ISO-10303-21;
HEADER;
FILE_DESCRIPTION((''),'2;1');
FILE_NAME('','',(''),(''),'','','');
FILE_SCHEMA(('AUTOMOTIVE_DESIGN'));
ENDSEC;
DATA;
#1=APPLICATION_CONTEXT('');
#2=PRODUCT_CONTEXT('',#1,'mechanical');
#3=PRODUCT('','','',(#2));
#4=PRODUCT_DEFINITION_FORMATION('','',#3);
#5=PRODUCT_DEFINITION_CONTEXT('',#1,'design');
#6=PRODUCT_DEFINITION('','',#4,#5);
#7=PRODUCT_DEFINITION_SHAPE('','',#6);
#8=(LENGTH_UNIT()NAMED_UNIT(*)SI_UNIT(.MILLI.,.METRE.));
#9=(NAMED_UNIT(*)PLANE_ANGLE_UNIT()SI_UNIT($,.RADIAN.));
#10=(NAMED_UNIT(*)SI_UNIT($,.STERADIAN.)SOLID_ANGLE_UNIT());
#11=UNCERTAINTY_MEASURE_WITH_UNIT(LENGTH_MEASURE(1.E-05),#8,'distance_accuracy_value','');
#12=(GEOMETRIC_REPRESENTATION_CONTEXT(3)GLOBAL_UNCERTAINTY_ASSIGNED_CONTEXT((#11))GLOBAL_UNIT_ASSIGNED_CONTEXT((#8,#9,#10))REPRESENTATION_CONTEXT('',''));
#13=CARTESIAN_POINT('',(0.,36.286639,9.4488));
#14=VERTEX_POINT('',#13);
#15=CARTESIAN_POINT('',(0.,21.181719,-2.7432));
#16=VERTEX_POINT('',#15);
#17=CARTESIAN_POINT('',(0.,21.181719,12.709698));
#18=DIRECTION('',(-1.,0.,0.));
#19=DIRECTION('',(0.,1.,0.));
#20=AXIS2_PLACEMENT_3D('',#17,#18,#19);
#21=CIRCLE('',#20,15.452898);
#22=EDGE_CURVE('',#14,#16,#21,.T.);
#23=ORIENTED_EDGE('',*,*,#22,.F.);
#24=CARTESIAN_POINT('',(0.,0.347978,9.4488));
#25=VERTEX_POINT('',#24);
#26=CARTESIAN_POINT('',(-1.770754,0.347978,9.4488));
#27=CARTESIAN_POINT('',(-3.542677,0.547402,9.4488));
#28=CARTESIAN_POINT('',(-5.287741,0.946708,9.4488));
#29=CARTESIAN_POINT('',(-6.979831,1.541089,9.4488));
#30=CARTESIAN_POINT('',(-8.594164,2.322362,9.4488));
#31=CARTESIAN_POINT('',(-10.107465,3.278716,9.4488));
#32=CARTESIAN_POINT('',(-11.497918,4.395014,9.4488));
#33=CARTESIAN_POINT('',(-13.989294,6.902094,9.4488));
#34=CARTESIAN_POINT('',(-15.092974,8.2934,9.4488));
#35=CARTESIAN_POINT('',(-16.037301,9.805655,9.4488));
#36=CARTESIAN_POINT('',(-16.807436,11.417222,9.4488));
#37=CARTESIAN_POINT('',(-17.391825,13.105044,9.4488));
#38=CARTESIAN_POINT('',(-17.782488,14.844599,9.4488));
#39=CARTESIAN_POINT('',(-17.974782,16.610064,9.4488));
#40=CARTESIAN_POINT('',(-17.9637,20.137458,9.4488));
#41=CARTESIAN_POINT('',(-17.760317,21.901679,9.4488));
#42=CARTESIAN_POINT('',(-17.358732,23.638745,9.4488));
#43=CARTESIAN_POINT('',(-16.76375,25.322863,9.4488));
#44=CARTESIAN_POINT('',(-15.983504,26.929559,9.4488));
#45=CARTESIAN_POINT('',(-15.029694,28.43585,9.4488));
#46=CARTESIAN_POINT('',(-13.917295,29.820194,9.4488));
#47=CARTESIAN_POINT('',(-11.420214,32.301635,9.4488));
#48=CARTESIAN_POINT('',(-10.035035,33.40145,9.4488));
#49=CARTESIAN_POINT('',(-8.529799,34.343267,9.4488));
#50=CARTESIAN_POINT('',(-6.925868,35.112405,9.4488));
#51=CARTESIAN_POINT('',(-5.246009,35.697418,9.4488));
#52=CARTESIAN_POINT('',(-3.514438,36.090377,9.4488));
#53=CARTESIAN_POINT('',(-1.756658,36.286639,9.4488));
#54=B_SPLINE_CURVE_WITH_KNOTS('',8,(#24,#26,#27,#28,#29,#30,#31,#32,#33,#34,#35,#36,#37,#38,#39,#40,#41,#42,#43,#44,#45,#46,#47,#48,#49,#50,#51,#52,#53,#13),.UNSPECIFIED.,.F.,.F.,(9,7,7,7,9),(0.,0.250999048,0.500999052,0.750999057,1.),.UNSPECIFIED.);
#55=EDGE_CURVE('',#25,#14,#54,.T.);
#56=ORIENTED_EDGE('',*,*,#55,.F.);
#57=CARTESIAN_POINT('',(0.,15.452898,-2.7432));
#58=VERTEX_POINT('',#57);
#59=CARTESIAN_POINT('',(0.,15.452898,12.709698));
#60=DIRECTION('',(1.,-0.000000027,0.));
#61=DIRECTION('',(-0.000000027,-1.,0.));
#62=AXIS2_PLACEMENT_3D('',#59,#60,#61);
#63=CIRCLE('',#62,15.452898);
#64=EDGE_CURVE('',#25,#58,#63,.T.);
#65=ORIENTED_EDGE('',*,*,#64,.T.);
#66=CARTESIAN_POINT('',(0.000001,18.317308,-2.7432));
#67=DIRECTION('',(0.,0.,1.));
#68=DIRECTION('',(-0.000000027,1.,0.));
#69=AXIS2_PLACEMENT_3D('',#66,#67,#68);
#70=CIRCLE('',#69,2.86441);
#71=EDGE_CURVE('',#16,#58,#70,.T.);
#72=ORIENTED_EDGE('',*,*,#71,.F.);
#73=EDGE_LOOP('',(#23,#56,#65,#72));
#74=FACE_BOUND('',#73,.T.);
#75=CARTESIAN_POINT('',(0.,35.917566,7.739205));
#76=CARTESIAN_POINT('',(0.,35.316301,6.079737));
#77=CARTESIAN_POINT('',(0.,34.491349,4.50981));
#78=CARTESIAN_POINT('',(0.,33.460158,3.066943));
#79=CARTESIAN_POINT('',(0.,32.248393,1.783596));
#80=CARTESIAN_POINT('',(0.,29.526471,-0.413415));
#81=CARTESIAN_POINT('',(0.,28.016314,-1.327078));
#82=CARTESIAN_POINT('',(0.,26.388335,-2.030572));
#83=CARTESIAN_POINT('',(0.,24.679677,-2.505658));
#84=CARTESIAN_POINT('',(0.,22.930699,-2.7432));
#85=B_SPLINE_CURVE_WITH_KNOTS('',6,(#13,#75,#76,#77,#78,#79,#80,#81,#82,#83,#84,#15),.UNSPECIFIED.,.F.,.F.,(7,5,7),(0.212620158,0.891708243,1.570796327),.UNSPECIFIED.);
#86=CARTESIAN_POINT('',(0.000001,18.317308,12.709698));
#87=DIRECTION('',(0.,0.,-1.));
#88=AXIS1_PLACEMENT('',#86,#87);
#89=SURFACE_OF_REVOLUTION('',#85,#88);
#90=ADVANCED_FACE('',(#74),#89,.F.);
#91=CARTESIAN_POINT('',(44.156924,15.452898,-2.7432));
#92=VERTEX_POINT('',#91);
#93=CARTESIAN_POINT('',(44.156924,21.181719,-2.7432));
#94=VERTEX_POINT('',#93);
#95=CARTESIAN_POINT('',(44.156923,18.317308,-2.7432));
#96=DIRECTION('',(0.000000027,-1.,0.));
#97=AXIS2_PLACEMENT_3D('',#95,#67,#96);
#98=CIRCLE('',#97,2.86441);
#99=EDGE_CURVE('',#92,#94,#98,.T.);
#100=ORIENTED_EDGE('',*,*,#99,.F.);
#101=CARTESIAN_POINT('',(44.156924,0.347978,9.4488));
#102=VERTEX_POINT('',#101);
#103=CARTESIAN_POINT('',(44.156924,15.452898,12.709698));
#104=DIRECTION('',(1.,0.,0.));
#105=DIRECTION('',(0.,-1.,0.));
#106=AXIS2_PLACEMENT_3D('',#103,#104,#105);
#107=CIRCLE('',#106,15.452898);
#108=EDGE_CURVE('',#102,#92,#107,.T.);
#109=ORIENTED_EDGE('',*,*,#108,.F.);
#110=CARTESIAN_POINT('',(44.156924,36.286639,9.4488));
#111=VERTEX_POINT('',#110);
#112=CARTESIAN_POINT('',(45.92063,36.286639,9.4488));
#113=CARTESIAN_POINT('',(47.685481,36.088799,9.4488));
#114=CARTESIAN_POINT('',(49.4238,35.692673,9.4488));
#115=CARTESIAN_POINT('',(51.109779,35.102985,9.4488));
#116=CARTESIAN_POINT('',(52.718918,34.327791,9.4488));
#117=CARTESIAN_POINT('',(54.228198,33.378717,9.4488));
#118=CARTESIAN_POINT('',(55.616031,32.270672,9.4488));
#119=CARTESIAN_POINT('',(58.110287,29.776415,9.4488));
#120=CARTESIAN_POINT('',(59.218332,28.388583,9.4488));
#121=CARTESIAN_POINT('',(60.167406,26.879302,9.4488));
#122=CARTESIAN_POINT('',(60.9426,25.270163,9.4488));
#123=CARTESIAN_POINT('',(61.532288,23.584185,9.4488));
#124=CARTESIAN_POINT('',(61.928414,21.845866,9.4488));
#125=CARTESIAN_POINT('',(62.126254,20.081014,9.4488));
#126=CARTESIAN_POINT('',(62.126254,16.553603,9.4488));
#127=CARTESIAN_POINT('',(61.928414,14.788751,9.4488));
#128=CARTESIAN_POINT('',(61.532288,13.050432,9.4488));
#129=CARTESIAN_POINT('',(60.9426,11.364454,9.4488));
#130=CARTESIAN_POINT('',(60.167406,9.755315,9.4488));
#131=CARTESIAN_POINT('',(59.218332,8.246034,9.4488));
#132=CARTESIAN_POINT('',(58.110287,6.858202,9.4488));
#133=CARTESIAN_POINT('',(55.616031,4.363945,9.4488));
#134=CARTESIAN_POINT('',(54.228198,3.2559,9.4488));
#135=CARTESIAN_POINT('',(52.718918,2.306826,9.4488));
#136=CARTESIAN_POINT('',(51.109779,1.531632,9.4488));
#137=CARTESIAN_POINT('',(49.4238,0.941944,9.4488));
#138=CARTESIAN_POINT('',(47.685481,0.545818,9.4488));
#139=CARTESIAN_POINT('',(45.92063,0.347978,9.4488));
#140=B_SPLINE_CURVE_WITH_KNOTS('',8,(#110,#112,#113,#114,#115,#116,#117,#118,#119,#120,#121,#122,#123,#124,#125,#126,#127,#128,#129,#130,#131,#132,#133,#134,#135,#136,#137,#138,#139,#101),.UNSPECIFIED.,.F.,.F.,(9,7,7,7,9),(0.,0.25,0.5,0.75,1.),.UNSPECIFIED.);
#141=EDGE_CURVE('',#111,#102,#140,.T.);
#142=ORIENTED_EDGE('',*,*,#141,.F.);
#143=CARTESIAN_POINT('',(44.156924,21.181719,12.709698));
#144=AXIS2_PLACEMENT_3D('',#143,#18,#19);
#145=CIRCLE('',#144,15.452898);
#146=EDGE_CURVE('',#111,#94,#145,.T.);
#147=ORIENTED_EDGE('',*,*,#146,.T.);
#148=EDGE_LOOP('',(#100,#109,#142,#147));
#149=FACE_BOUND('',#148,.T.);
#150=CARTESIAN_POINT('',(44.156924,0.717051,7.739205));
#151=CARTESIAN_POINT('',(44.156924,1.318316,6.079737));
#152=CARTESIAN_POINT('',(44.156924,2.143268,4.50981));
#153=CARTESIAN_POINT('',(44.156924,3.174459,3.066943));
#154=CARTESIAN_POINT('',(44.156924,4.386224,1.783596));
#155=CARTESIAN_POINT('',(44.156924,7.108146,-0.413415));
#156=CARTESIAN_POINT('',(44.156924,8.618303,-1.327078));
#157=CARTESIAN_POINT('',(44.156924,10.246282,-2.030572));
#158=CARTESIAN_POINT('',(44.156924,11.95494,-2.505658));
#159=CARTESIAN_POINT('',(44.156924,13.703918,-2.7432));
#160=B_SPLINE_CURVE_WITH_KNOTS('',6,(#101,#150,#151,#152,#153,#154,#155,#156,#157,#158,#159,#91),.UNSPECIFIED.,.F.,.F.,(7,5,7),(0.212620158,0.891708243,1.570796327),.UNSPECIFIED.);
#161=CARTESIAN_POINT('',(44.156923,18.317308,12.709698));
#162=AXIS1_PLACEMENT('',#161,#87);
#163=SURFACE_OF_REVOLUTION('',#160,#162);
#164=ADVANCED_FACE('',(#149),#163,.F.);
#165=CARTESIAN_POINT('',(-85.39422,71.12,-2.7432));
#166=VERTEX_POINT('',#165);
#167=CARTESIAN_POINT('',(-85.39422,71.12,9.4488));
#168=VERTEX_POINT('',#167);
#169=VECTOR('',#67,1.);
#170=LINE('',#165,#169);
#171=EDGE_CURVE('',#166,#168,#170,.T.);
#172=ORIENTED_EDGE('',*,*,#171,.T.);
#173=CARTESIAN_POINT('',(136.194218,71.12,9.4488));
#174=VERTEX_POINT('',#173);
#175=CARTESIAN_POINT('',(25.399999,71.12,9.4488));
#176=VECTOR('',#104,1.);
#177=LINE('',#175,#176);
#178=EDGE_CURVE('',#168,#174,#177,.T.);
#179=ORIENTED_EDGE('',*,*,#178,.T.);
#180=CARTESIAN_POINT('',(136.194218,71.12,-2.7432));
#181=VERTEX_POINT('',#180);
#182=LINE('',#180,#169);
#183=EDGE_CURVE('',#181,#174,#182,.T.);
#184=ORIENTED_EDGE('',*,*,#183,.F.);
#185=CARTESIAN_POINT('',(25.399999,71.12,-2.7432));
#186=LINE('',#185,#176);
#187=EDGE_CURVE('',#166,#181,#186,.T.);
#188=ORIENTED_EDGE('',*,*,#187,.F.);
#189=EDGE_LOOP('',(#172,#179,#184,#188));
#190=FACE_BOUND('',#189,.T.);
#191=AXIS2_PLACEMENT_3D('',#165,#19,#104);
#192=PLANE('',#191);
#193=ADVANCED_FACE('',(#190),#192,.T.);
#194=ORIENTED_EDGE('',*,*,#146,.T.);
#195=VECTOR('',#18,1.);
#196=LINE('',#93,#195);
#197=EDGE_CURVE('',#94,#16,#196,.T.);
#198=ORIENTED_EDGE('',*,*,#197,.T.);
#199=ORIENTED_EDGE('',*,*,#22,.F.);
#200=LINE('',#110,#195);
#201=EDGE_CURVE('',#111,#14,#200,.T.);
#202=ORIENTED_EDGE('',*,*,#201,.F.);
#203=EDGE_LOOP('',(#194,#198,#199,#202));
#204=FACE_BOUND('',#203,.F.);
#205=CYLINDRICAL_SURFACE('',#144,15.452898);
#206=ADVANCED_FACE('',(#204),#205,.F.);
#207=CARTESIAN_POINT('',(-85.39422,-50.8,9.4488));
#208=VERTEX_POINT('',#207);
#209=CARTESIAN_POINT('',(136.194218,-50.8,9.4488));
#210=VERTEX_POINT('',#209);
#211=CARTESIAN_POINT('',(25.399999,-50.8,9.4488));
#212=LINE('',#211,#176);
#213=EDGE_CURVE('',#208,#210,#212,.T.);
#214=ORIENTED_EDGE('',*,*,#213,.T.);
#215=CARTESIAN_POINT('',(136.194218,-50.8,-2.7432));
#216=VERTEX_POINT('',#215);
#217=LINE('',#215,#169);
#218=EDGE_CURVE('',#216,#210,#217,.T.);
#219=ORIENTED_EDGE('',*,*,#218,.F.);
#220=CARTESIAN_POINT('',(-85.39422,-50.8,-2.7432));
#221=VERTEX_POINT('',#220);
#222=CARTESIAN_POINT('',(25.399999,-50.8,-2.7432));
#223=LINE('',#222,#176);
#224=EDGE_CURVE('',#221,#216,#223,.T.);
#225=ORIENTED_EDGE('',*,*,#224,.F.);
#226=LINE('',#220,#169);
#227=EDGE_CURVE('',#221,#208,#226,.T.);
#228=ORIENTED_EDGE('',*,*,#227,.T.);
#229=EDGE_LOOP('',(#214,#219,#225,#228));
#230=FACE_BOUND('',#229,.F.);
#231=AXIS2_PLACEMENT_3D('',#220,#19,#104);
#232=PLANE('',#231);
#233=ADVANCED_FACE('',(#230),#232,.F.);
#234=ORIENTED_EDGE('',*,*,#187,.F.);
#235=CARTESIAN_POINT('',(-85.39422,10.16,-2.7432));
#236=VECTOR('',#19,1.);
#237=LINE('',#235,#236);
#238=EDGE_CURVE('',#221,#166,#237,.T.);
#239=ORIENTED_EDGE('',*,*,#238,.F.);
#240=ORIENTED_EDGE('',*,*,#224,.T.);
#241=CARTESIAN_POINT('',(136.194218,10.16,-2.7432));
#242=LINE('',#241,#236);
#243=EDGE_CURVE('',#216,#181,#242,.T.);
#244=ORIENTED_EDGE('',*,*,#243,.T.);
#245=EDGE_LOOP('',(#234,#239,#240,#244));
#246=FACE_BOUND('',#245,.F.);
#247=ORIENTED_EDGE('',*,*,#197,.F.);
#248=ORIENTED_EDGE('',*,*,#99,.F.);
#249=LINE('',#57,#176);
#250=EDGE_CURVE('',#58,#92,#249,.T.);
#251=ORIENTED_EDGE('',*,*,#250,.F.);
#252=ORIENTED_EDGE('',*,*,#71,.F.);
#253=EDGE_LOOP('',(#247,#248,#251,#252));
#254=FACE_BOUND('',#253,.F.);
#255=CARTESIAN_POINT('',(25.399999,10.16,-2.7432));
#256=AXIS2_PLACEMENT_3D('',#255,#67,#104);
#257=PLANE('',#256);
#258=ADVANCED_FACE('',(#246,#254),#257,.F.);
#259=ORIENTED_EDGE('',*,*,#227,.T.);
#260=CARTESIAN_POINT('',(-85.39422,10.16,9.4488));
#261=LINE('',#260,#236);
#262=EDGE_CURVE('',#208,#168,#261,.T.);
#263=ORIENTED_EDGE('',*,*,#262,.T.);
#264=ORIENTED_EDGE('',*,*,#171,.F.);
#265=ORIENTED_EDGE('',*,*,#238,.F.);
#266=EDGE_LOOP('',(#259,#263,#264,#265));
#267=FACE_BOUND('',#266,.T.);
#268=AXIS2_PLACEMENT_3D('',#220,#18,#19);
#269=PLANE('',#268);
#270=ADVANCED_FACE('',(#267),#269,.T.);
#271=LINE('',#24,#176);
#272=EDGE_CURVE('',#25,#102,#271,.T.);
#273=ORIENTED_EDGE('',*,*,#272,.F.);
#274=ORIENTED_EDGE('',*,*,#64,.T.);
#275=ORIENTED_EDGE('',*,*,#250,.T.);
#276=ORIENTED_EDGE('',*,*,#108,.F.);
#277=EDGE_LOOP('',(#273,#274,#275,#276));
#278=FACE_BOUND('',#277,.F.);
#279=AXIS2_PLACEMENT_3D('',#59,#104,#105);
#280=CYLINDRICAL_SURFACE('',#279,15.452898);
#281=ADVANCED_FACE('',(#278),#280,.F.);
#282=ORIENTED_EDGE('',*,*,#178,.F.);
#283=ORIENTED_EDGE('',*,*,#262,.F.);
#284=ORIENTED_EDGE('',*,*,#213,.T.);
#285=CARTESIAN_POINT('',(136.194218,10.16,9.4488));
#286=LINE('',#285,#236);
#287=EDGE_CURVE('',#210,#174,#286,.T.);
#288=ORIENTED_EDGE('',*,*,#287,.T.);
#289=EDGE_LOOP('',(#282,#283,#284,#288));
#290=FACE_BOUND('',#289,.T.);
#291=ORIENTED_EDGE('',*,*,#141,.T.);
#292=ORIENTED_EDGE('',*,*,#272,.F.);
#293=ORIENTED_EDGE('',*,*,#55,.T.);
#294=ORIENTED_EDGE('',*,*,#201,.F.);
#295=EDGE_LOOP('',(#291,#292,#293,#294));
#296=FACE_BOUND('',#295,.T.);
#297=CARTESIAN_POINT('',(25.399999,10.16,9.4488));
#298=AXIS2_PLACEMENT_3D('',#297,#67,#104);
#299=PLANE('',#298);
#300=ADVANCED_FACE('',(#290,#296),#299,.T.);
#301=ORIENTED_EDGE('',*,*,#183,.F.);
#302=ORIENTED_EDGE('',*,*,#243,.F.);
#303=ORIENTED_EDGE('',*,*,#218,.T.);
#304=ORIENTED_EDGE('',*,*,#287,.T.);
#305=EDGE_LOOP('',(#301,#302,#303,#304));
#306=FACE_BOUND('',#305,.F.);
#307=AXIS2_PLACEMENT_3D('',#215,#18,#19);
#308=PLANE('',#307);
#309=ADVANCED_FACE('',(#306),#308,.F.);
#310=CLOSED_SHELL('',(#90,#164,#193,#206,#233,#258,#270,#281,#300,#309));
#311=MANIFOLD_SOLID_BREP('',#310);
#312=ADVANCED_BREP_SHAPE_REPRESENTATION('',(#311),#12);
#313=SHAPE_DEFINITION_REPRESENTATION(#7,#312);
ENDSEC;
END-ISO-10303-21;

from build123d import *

# Parameters (mm, degrees)
F1_DEPTH = 15.5448
F2_R     = 15.452898
F3_W     = 221.588438
F3_H     = 121.92
F4_DEPTH = 12.192


with BuildPart() as f1:
    # F0 (on Top) → F1 (new body)
    with BuildSketch(Plane.XY):
        with BuildLine():
            ThreePointArc((0, 36.634617), (-18.317308, 18.317308), (0, 0))
            Line((0, 0), (44.156924, 0))
            ThreePointArc((44.156924, 0), (62.474232, 18.317308), (44.156924, 36.634617))
            Line((44.156924, 36.634617), (0, 36.634617))
        make_face()
    extrude(amount=F1_DEPTH)

    # F2
    f2_edges = [f1.edges().sort_by_distance(p)[0] for p in [
        (22.078462, 36.634617, 0),
        (62.474232, 18.317308, 0),
        (-18.317308, 18.317308, 0),
    ]]
    fillet(f2_edges, radius=F2_R)


with BuildPart() as f4:
    # F3 (on Top) → F4 (new body)
    with BuildSketch(Plane.XY):
        with Locations((25.399999, 10.16)):
            Rectangle(F3_W, F3_H)
    extrude(amount=F4_DEPTH)

    # F5: cut F1
    add(f1.part, mode=Mode.SUBTRACT)


with BuildPart() as f4_1:
    # F6: moved
    add(f4.part.moved(Location((0, 0, -2.7432))))


solid = f4_1.part
